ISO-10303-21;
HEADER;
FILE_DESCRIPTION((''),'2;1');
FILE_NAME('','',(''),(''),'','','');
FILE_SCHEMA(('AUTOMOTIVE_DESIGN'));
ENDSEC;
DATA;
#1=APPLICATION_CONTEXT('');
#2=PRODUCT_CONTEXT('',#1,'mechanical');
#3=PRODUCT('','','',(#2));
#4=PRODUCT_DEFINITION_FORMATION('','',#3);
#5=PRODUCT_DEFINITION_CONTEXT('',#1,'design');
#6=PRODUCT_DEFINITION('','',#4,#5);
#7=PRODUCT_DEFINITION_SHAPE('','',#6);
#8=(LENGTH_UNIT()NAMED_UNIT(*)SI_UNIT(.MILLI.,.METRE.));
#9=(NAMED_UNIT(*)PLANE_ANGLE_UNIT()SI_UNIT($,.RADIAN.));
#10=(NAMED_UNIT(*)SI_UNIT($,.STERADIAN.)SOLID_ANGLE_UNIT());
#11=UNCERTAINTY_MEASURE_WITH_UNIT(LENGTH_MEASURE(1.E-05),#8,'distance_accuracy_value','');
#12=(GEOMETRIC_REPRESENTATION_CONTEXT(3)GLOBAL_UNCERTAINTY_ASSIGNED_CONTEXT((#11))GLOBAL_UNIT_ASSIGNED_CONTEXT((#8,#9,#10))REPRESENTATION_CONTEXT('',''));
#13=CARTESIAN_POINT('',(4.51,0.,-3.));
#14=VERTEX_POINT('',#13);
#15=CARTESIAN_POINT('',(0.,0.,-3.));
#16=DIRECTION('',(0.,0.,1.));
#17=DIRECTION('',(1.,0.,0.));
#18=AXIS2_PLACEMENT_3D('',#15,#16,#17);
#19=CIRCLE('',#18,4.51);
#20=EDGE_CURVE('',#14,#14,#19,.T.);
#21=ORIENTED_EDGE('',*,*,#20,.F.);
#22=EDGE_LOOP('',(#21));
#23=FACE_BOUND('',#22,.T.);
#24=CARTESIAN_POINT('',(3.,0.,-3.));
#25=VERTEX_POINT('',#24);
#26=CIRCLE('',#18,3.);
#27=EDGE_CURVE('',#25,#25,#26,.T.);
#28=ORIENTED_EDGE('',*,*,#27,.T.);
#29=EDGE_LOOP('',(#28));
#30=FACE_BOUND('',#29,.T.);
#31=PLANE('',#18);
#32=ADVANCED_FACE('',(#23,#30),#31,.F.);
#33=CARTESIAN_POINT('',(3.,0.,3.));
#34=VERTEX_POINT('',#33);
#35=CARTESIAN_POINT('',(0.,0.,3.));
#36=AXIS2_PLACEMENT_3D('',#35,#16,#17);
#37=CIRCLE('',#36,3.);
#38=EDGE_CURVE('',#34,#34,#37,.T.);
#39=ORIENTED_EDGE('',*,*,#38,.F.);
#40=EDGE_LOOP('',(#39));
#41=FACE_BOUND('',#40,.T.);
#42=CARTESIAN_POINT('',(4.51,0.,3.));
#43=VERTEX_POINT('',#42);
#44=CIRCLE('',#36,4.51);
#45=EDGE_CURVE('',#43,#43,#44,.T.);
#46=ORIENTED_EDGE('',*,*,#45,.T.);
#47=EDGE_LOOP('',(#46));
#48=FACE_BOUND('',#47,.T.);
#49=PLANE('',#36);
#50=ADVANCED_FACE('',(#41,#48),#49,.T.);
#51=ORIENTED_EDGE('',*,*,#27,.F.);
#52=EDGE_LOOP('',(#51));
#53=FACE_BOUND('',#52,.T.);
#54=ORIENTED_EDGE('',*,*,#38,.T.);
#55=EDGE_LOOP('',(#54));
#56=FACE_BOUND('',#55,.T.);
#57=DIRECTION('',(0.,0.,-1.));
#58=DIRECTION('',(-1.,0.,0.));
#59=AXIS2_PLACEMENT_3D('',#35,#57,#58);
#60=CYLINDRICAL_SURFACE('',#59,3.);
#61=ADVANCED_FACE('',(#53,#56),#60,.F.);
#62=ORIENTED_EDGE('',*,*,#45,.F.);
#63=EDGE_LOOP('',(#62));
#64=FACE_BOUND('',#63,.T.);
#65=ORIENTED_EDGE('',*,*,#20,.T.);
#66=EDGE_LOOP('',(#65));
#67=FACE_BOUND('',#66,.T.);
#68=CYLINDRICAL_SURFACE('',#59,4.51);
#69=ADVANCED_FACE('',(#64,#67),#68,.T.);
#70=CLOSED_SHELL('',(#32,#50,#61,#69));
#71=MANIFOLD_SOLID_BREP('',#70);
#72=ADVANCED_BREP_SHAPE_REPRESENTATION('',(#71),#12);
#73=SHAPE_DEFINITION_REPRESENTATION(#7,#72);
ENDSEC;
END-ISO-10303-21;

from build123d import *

# Parameters (mm, degrees)
SKETCH1_R      = 4.51
SKETCH1_R_2    = 3
EXTRUDE1_DEPTH = 3


with BuildPart() as part:
    # Sketch1 → Extrude1 (new body, symmetric)
    with BuildSketch(Plane.XY):
        Circle(SKETCH1_R)
        Circle(SKETCH1_R_2, mode=Mode.SUBTRACT)
    extrude(amount=EXTRUDE1_DEPTH, both=True)


solid = part.part
